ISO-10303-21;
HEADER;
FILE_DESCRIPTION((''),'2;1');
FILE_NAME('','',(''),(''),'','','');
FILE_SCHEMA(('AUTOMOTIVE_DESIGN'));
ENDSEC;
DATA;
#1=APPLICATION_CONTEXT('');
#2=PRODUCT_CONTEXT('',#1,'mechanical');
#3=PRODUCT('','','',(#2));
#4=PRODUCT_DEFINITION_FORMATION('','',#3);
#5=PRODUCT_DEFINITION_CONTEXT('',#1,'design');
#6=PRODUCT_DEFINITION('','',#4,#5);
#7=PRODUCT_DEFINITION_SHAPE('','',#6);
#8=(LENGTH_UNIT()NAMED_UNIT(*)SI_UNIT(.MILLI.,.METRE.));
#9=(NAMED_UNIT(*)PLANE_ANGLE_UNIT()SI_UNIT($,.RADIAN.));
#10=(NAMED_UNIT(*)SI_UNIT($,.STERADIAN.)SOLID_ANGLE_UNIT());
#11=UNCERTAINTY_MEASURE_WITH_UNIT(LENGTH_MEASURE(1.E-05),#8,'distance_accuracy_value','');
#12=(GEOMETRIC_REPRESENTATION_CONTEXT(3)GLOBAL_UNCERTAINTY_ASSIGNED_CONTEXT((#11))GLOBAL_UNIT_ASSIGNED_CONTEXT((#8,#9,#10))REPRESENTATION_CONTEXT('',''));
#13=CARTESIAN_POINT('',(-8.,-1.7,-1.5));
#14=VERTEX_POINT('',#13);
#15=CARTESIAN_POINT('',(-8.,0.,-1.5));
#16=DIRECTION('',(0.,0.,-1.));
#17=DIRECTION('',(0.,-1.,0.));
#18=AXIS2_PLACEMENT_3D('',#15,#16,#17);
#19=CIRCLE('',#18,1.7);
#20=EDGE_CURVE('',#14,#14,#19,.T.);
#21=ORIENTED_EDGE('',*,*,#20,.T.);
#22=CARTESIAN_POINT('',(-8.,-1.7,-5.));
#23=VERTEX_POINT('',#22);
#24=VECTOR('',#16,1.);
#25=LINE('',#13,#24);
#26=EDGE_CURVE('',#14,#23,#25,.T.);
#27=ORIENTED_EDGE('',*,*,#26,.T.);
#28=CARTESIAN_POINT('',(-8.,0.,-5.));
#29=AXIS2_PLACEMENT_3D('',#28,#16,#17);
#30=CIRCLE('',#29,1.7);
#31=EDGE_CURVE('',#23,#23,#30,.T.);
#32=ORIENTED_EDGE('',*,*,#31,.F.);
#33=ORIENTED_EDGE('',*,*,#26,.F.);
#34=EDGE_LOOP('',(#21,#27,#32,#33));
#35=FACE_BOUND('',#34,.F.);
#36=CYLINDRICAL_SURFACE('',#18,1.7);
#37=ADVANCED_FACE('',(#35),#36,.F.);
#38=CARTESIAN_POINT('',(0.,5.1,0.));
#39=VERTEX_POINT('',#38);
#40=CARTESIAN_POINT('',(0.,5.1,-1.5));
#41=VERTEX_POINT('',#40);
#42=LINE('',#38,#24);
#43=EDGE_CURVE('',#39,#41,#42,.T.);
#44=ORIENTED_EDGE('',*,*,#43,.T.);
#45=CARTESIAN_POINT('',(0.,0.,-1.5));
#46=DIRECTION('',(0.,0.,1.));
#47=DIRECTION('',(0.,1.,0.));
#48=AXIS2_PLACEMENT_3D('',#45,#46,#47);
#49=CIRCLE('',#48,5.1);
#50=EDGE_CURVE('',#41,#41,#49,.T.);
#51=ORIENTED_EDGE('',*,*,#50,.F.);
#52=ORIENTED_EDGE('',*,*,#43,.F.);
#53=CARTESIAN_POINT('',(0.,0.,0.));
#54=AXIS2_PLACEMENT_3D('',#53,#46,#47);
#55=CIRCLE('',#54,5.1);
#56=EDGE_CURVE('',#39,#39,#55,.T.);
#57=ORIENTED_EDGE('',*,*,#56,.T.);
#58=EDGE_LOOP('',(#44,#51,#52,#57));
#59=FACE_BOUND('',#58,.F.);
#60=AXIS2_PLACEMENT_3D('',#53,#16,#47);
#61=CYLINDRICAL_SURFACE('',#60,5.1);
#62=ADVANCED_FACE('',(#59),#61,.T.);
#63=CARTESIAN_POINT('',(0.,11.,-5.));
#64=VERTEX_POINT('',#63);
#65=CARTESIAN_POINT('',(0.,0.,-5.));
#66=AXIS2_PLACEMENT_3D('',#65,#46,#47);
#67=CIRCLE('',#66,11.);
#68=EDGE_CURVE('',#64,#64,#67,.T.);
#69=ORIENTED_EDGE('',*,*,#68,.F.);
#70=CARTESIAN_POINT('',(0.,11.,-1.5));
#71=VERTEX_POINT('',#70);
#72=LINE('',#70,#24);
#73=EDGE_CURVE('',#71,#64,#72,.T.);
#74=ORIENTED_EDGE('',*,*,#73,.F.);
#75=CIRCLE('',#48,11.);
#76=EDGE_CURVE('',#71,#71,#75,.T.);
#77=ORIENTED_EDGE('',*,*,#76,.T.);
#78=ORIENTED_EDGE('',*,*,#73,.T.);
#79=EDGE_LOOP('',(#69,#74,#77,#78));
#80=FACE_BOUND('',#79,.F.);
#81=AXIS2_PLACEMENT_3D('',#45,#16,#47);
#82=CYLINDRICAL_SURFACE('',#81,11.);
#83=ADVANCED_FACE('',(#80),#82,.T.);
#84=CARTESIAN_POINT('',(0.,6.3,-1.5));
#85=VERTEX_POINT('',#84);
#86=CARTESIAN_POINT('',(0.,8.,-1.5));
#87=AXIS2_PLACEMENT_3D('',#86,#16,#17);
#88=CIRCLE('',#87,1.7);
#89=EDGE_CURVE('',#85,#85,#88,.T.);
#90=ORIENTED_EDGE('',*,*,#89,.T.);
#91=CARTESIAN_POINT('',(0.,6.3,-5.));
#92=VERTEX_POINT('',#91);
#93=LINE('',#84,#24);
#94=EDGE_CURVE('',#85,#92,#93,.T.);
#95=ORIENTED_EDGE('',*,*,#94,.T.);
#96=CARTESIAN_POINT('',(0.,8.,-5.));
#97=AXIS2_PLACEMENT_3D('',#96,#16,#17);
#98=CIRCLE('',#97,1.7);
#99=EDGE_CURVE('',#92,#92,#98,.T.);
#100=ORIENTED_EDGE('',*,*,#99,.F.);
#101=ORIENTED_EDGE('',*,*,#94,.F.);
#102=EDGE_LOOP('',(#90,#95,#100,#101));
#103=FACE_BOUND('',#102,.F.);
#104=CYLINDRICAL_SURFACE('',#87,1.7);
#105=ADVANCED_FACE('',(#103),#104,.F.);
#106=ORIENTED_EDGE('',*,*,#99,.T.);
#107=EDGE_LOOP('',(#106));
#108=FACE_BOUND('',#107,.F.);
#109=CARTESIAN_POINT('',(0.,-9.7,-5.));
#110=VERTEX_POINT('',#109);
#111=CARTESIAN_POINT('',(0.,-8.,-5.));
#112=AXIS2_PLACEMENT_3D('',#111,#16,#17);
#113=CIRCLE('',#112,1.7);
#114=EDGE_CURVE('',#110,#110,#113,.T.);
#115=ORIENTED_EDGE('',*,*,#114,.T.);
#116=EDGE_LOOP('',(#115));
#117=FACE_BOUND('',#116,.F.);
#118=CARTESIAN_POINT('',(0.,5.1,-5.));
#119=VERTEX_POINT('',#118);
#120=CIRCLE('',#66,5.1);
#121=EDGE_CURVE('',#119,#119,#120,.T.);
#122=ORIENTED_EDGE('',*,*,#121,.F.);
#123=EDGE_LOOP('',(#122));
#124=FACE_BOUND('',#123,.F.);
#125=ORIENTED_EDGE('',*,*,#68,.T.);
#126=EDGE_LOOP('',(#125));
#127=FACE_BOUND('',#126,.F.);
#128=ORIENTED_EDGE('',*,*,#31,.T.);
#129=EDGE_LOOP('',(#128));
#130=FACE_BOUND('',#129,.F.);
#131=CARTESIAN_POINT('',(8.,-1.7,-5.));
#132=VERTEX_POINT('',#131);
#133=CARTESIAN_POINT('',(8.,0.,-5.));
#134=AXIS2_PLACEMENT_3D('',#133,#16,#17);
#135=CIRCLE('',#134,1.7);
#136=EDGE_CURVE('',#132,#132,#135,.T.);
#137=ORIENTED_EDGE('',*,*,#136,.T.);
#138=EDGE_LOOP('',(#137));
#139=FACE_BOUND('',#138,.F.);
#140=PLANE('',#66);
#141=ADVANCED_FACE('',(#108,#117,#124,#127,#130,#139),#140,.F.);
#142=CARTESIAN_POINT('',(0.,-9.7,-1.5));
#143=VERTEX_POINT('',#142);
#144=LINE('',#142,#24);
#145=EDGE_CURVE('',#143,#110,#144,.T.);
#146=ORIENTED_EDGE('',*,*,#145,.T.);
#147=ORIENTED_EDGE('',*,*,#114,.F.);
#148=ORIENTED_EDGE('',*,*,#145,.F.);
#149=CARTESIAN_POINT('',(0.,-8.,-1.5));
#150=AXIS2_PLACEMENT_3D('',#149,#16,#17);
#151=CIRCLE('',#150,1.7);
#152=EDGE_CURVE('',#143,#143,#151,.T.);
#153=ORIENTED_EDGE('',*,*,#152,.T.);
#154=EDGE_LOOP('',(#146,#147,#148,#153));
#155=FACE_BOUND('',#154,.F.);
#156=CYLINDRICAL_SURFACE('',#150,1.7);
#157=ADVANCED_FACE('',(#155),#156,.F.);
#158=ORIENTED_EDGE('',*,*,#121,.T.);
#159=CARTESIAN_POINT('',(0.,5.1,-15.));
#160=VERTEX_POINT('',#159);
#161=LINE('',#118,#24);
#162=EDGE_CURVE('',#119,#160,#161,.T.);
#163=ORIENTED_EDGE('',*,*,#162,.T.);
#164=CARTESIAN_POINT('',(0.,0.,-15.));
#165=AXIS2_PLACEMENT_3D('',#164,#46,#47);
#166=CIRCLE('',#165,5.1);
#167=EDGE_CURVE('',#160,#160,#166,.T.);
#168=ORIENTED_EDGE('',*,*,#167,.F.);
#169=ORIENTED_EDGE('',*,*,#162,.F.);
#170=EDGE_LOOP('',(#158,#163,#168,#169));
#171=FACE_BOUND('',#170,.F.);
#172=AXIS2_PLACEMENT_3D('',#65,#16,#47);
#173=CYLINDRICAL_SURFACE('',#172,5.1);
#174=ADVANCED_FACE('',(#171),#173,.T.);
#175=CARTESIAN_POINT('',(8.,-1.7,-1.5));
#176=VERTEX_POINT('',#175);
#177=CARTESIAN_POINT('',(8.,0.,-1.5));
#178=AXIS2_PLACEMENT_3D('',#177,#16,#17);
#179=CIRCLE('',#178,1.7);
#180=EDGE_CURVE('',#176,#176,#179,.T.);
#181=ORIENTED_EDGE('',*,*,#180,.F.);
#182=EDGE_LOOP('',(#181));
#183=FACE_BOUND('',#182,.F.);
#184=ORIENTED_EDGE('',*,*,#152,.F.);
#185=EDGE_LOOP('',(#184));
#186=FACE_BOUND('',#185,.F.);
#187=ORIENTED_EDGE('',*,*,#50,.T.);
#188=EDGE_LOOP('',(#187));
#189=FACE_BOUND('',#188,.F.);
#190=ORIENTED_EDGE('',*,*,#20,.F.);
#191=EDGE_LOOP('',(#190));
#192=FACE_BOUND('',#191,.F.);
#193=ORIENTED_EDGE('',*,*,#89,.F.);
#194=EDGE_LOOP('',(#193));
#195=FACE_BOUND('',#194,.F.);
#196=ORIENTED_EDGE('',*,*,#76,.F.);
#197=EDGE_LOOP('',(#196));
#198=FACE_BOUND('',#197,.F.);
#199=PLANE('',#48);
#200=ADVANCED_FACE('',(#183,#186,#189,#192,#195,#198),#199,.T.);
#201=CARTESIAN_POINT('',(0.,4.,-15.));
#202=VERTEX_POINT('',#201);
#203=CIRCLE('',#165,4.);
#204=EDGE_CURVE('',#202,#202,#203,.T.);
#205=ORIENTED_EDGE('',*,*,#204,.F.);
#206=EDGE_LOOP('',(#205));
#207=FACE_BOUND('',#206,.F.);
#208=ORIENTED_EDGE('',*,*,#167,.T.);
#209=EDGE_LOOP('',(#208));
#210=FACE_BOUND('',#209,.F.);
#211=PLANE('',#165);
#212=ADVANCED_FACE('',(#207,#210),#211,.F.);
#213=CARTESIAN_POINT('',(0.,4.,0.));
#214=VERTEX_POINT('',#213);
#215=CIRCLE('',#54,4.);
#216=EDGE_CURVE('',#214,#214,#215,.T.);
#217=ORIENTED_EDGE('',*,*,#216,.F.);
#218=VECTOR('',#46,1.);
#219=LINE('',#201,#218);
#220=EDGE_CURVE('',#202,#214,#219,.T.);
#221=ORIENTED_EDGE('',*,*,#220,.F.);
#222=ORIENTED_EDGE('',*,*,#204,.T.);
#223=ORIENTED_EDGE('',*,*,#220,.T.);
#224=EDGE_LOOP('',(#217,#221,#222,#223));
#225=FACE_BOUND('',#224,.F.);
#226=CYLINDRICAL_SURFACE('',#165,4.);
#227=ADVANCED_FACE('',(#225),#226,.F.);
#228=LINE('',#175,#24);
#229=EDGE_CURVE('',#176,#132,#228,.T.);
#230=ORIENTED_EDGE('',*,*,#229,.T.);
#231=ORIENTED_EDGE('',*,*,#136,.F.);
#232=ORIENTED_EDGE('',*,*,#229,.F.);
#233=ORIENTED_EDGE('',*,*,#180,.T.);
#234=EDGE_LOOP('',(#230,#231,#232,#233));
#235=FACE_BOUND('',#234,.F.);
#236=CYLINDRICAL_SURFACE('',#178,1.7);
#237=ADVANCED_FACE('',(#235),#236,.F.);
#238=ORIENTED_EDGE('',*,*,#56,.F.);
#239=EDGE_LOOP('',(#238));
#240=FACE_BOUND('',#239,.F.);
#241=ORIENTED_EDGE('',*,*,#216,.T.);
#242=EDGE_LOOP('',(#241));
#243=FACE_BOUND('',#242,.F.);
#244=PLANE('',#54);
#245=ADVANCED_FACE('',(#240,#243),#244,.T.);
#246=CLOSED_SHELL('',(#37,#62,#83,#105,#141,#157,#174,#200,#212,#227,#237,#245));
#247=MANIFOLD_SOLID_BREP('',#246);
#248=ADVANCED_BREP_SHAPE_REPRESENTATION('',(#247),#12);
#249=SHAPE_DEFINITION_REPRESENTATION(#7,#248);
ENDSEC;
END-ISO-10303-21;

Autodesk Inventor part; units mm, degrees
ref_plane "YZ Plane" through (0, 0, 0) normal (1, 0, 0) x (0, 1, 0)
ref_plane "XZ Plane" through (0, 0, 0) normal (0, 1, 0) x (-1, 0, 0)
ref_plane "XY Plane" through (0, 0, 0) normal (0, 0, 1) x (1, 0, 0)
sketch "スケッチ1" plane through (0, 0, 0) normal (1, 0, 0) x (0, 1, 0)
  line L0 (0, 0) -> (5.1, 0)
  line L1 (5.1, 0) -> (5.1, -1.5)
  line L2 (5.1, -1.5) -> (11, -1.5)
  line L3 (11, -1.5) -> (11, -5)
  line L4 (11, -5) -> (5.1, -5)
  line L5 (5.1, -5) -> (5.1, -15)
  line L6 (5.1, -15) -> (4, -15)
  line L7 (4, -15) -> (4, 0)
  line L8 (0, -18) -> (0, 3) projected
  dimension "d0" = 4
  dimension "d1" = 1.5
  dimension "d2" = 3.5
  dimension "d3" = 10
  dimension "d4" = 11
  dimension "d5" = 5.1
revolve "回転1" add sketch "スケッチ1" angle 360 about axis through (0, 0, -10) along (0, 0, 1)
sketch "スケッチ2" plane through (0, 0, -1.5) normal (0, 0, 1) x (1, 0, 0)
  circle A0 centre (0, 0) radius 8
  point P0 (0, 8)
  point P1 (-8, 0)
  point P2 (0, -8)
  point P3 (8, 0)
  dimension "d7" = 16
  dimension "d10" = 360
hole "穴1" at (0, 8, -1.5) at (-8, 0, -1.5) at (0, -8, -1.5) at (8, 0, -1.5) direction (0, 0, -1) diameter 3.4 end through all clearance for "Socket Head Cap Screw" size "M3" standard "Ansi Metric M Profile"
thread "ねじ1" size "M8x1.25" class "6H" standard "ANSI Metric M Profile" full length
properties part number "lead-screw-nut" material "真鍮、ソフト イエロー"
